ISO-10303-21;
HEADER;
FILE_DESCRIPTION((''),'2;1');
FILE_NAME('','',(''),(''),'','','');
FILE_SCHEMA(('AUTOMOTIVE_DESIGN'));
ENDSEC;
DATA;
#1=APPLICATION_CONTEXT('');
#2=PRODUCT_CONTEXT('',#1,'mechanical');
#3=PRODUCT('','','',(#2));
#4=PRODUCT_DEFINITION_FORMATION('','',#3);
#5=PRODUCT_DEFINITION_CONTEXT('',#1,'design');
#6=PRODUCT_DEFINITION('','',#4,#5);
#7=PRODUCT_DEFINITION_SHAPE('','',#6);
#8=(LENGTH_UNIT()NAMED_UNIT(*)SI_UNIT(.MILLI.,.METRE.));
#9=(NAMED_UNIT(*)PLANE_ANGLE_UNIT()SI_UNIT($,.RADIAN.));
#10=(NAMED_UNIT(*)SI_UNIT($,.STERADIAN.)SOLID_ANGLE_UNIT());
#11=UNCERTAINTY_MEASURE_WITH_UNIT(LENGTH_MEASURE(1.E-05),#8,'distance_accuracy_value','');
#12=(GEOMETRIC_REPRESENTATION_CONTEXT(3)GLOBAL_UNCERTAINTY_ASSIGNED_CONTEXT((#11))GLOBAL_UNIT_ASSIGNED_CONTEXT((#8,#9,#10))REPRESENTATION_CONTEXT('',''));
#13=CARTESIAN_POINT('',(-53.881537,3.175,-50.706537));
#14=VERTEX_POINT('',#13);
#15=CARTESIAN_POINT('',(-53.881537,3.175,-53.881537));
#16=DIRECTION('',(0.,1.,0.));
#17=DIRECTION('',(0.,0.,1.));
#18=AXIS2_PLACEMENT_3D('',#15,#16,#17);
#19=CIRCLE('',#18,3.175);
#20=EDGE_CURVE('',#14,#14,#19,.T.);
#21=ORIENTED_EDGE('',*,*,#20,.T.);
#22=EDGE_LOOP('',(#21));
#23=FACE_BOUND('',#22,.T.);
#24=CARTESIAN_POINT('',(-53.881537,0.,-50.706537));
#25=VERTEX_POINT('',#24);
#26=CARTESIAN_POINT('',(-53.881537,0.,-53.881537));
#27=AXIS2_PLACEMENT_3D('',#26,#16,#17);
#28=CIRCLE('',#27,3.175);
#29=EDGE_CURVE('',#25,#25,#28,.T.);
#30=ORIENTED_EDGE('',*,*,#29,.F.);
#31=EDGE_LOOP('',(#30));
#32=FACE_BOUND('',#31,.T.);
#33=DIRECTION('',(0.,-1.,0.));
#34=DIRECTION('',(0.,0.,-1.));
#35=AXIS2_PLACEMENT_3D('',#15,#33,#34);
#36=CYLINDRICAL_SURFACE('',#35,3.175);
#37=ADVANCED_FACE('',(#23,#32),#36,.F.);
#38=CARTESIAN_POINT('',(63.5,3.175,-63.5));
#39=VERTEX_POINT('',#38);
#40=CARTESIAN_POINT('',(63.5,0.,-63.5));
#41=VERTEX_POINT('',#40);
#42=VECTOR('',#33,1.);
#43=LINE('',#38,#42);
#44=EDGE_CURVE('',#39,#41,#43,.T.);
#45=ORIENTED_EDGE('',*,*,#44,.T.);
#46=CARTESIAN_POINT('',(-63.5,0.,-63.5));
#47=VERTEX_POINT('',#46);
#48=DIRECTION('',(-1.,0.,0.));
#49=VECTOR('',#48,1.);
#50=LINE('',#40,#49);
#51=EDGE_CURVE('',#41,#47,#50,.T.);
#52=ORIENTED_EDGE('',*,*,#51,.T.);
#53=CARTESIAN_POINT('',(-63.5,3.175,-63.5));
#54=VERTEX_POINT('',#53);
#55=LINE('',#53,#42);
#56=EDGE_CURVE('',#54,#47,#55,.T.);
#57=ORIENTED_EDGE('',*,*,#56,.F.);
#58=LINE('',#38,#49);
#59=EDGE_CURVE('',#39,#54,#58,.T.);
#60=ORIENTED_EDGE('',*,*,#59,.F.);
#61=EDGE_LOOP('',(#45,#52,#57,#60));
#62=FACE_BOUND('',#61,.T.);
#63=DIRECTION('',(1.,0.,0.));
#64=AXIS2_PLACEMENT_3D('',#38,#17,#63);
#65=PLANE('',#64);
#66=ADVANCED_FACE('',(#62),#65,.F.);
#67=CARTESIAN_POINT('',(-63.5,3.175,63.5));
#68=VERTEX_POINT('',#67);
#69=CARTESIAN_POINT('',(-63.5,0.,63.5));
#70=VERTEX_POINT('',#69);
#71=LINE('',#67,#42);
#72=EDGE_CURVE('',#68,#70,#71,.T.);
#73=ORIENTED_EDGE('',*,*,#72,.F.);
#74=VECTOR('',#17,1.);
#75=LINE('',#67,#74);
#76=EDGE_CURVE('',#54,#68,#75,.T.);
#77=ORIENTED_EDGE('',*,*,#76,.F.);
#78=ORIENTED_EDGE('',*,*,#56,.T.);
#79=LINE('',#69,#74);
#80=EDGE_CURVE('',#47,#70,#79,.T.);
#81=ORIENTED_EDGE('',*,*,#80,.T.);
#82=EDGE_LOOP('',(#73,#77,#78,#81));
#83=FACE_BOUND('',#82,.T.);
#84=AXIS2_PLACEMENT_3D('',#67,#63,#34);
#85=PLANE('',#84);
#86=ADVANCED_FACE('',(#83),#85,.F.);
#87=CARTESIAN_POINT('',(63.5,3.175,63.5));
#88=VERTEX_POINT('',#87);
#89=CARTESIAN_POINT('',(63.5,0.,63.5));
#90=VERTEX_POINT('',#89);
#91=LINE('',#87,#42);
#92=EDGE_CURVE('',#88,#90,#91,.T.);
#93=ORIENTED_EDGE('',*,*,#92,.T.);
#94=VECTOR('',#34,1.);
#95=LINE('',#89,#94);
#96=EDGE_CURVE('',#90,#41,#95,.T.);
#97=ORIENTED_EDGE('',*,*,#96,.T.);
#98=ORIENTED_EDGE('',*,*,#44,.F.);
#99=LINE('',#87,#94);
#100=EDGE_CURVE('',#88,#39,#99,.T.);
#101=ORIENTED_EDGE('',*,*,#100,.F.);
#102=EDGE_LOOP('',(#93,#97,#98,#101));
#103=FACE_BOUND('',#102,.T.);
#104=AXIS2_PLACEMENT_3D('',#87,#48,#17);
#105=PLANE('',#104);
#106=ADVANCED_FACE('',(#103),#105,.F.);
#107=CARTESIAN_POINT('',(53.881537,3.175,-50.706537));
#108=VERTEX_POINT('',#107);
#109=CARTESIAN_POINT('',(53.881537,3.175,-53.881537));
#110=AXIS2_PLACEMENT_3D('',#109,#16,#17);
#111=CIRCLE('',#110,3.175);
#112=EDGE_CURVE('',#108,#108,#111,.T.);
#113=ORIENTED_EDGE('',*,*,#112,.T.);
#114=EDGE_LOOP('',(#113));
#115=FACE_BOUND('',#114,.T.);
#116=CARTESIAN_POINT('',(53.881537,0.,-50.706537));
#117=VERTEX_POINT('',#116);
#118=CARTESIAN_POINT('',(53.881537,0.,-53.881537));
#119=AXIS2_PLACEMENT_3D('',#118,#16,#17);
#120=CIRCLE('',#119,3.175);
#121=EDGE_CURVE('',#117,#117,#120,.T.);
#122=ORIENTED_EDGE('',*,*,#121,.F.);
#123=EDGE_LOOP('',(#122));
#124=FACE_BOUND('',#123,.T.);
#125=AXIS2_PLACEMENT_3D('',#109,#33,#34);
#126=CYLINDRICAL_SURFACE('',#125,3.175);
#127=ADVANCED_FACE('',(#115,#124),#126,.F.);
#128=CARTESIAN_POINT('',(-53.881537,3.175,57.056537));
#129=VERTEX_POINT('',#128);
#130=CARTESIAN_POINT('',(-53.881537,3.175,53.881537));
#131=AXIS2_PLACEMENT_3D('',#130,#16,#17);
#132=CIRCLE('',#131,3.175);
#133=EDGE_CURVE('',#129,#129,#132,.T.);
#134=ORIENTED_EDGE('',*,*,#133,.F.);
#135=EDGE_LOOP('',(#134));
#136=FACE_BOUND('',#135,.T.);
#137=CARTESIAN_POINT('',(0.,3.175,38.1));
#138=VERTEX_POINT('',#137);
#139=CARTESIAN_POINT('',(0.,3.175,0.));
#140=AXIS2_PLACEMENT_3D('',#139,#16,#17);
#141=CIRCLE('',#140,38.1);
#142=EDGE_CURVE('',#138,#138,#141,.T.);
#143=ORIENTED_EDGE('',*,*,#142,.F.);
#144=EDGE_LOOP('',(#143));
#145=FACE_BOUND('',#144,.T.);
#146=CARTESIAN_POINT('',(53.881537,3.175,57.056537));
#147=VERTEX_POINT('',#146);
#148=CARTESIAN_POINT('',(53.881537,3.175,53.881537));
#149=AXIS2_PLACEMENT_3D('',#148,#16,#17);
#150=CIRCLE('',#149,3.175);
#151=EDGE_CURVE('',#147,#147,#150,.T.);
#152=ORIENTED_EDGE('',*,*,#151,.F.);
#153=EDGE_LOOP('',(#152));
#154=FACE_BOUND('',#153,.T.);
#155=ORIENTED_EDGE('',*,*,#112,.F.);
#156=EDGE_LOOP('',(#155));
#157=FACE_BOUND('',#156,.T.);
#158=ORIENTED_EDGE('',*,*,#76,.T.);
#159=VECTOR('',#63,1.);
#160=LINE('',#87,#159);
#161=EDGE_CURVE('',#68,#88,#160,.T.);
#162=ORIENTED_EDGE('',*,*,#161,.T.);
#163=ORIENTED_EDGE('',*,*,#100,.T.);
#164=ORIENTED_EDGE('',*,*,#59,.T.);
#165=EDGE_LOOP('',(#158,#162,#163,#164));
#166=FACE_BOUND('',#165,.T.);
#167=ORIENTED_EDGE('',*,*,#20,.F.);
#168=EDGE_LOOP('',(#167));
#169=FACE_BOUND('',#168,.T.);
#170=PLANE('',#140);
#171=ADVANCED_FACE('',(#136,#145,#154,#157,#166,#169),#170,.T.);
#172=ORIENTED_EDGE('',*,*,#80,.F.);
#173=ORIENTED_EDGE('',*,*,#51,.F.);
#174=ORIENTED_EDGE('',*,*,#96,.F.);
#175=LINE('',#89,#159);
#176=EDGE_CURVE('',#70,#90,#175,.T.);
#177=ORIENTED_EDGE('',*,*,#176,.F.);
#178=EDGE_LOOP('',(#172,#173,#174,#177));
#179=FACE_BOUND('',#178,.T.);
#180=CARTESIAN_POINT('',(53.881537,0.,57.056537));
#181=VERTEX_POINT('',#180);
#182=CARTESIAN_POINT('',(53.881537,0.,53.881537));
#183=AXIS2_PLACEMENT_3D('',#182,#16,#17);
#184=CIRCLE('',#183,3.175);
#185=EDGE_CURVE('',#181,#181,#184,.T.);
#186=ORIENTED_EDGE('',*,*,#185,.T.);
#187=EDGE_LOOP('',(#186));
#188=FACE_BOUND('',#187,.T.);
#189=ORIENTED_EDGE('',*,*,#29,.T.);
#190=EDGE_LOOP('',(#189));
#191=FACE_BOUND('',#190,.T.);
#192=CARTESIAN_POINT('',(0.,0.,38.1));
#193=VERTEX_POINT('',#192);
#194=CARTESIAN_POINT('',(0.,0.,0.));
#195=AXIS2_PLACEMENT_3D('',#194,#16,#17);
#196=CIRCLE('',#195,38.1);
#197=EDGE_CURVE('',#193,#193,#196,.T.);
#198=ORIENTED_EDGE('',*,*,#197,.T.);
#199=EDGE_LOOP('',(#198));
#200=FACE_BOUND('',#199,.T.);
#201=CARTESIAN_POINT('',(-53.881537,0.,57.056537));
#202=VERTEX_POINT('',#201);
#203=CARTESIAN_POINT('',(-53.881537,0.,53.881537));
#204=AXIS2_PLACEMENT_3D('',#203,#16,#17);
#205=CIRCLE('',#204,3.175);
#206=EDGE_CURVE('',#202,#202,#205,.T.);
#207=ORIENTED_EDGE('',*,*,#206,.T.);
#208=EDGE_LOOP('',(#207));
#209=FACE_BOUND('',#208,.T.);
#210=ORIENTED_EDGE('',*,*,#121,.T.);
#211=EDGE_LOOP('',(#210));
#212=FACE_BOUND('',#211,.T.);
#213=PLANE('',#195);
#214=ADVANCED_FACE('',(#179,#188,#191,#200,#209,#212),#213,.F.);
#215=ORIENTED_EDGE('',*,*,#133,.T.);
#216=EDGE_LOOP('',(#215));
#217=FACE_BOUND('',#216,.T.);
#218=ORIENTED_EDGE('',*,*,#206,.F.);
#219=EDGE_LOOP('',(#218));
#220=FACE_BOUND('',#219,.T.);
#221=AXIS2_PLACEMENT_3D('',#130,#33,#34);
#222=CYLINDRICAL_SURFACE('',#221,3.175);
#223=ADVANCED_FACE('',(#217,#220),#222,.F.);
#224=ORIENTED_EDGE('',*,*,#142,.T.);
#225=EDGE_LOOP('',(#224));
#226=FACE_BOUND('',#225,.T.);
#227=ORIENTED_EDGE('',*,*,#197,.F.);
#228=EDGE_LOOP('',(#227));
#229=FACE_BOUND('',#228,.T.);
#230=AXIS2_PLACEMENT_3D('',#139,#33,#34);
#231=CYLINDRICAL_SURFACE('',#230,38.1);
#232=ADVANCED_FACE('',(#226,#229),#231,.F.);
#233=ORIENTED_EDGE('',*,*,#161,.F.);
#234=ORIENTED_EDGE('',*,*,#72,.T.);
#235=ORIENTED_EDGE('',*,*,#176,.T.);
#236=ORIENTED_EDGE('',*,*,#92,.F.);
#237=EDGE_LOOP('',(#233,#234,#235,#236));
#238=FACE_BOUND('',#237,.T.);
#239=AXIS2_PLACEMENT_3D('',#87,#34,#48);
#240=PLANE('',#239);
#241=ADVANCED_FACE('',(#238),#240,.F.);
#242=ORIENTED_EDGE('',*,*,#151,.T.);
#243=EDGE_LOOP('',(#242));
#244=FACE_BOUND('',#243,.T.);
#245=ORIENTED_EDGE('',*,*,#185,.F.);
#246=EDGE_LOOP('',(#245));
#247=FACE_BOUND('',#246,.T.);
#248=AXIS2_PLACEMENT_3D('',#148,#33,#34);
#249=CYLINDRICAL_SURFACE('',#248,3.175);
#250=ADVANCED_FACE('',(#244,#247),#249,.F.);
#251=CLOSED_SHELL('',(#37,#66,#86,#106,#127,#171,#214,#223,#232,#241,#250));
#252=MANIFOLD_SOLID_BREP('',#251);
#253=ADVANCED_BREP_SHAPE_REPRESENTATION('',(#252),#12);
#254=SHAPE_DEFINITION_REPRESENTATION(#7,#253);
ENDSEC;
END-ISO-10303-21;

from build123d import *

# Parameters (mm, degrees)
SKETCH1_W           = 127
SKETCH1_H           = 127
SKETCH1_R           = 38.1
SKETCH1_R_2         = 3.175
BOSS_EXTRUDE1_DEPTH = 3.175


with BuildPart() as part:
    # Sketch1 → Boss-Extrude1 (new body)
    with BuildSketch(Plane(origin=(0, 0, 0), x_dir=(1, 0, 0), z_dir=(0, 1, 0))):
        Rectangle(SKETCH1_W, SKETCH1_H)
        Circle(SKETCH1_R, mode=Mode.SUBTRACT)
        with Locations((-53.881536726, 53.881536726)):
            Circle(SKETCH1_R_2, mode=Mode.SUBTRACT)
        with Locations((53.881536726, 53.881536726)):
            Circle(SKETCH1_R_2, mode=Mode.SUBTRACT)
        with Locations((53.881536726, -53.881536726)):
            Circle(SKETCH1_R_2, mode=Mode.SUBTRACT)
        with Locations((-53.881536726, -53.881536726)):
            Circle(SKETCH1_R_2, mode=Mode.SUBTRACT)
    extrude(amount=BOSS_EXTRUDE1_DEPTH)


solid = part.part
